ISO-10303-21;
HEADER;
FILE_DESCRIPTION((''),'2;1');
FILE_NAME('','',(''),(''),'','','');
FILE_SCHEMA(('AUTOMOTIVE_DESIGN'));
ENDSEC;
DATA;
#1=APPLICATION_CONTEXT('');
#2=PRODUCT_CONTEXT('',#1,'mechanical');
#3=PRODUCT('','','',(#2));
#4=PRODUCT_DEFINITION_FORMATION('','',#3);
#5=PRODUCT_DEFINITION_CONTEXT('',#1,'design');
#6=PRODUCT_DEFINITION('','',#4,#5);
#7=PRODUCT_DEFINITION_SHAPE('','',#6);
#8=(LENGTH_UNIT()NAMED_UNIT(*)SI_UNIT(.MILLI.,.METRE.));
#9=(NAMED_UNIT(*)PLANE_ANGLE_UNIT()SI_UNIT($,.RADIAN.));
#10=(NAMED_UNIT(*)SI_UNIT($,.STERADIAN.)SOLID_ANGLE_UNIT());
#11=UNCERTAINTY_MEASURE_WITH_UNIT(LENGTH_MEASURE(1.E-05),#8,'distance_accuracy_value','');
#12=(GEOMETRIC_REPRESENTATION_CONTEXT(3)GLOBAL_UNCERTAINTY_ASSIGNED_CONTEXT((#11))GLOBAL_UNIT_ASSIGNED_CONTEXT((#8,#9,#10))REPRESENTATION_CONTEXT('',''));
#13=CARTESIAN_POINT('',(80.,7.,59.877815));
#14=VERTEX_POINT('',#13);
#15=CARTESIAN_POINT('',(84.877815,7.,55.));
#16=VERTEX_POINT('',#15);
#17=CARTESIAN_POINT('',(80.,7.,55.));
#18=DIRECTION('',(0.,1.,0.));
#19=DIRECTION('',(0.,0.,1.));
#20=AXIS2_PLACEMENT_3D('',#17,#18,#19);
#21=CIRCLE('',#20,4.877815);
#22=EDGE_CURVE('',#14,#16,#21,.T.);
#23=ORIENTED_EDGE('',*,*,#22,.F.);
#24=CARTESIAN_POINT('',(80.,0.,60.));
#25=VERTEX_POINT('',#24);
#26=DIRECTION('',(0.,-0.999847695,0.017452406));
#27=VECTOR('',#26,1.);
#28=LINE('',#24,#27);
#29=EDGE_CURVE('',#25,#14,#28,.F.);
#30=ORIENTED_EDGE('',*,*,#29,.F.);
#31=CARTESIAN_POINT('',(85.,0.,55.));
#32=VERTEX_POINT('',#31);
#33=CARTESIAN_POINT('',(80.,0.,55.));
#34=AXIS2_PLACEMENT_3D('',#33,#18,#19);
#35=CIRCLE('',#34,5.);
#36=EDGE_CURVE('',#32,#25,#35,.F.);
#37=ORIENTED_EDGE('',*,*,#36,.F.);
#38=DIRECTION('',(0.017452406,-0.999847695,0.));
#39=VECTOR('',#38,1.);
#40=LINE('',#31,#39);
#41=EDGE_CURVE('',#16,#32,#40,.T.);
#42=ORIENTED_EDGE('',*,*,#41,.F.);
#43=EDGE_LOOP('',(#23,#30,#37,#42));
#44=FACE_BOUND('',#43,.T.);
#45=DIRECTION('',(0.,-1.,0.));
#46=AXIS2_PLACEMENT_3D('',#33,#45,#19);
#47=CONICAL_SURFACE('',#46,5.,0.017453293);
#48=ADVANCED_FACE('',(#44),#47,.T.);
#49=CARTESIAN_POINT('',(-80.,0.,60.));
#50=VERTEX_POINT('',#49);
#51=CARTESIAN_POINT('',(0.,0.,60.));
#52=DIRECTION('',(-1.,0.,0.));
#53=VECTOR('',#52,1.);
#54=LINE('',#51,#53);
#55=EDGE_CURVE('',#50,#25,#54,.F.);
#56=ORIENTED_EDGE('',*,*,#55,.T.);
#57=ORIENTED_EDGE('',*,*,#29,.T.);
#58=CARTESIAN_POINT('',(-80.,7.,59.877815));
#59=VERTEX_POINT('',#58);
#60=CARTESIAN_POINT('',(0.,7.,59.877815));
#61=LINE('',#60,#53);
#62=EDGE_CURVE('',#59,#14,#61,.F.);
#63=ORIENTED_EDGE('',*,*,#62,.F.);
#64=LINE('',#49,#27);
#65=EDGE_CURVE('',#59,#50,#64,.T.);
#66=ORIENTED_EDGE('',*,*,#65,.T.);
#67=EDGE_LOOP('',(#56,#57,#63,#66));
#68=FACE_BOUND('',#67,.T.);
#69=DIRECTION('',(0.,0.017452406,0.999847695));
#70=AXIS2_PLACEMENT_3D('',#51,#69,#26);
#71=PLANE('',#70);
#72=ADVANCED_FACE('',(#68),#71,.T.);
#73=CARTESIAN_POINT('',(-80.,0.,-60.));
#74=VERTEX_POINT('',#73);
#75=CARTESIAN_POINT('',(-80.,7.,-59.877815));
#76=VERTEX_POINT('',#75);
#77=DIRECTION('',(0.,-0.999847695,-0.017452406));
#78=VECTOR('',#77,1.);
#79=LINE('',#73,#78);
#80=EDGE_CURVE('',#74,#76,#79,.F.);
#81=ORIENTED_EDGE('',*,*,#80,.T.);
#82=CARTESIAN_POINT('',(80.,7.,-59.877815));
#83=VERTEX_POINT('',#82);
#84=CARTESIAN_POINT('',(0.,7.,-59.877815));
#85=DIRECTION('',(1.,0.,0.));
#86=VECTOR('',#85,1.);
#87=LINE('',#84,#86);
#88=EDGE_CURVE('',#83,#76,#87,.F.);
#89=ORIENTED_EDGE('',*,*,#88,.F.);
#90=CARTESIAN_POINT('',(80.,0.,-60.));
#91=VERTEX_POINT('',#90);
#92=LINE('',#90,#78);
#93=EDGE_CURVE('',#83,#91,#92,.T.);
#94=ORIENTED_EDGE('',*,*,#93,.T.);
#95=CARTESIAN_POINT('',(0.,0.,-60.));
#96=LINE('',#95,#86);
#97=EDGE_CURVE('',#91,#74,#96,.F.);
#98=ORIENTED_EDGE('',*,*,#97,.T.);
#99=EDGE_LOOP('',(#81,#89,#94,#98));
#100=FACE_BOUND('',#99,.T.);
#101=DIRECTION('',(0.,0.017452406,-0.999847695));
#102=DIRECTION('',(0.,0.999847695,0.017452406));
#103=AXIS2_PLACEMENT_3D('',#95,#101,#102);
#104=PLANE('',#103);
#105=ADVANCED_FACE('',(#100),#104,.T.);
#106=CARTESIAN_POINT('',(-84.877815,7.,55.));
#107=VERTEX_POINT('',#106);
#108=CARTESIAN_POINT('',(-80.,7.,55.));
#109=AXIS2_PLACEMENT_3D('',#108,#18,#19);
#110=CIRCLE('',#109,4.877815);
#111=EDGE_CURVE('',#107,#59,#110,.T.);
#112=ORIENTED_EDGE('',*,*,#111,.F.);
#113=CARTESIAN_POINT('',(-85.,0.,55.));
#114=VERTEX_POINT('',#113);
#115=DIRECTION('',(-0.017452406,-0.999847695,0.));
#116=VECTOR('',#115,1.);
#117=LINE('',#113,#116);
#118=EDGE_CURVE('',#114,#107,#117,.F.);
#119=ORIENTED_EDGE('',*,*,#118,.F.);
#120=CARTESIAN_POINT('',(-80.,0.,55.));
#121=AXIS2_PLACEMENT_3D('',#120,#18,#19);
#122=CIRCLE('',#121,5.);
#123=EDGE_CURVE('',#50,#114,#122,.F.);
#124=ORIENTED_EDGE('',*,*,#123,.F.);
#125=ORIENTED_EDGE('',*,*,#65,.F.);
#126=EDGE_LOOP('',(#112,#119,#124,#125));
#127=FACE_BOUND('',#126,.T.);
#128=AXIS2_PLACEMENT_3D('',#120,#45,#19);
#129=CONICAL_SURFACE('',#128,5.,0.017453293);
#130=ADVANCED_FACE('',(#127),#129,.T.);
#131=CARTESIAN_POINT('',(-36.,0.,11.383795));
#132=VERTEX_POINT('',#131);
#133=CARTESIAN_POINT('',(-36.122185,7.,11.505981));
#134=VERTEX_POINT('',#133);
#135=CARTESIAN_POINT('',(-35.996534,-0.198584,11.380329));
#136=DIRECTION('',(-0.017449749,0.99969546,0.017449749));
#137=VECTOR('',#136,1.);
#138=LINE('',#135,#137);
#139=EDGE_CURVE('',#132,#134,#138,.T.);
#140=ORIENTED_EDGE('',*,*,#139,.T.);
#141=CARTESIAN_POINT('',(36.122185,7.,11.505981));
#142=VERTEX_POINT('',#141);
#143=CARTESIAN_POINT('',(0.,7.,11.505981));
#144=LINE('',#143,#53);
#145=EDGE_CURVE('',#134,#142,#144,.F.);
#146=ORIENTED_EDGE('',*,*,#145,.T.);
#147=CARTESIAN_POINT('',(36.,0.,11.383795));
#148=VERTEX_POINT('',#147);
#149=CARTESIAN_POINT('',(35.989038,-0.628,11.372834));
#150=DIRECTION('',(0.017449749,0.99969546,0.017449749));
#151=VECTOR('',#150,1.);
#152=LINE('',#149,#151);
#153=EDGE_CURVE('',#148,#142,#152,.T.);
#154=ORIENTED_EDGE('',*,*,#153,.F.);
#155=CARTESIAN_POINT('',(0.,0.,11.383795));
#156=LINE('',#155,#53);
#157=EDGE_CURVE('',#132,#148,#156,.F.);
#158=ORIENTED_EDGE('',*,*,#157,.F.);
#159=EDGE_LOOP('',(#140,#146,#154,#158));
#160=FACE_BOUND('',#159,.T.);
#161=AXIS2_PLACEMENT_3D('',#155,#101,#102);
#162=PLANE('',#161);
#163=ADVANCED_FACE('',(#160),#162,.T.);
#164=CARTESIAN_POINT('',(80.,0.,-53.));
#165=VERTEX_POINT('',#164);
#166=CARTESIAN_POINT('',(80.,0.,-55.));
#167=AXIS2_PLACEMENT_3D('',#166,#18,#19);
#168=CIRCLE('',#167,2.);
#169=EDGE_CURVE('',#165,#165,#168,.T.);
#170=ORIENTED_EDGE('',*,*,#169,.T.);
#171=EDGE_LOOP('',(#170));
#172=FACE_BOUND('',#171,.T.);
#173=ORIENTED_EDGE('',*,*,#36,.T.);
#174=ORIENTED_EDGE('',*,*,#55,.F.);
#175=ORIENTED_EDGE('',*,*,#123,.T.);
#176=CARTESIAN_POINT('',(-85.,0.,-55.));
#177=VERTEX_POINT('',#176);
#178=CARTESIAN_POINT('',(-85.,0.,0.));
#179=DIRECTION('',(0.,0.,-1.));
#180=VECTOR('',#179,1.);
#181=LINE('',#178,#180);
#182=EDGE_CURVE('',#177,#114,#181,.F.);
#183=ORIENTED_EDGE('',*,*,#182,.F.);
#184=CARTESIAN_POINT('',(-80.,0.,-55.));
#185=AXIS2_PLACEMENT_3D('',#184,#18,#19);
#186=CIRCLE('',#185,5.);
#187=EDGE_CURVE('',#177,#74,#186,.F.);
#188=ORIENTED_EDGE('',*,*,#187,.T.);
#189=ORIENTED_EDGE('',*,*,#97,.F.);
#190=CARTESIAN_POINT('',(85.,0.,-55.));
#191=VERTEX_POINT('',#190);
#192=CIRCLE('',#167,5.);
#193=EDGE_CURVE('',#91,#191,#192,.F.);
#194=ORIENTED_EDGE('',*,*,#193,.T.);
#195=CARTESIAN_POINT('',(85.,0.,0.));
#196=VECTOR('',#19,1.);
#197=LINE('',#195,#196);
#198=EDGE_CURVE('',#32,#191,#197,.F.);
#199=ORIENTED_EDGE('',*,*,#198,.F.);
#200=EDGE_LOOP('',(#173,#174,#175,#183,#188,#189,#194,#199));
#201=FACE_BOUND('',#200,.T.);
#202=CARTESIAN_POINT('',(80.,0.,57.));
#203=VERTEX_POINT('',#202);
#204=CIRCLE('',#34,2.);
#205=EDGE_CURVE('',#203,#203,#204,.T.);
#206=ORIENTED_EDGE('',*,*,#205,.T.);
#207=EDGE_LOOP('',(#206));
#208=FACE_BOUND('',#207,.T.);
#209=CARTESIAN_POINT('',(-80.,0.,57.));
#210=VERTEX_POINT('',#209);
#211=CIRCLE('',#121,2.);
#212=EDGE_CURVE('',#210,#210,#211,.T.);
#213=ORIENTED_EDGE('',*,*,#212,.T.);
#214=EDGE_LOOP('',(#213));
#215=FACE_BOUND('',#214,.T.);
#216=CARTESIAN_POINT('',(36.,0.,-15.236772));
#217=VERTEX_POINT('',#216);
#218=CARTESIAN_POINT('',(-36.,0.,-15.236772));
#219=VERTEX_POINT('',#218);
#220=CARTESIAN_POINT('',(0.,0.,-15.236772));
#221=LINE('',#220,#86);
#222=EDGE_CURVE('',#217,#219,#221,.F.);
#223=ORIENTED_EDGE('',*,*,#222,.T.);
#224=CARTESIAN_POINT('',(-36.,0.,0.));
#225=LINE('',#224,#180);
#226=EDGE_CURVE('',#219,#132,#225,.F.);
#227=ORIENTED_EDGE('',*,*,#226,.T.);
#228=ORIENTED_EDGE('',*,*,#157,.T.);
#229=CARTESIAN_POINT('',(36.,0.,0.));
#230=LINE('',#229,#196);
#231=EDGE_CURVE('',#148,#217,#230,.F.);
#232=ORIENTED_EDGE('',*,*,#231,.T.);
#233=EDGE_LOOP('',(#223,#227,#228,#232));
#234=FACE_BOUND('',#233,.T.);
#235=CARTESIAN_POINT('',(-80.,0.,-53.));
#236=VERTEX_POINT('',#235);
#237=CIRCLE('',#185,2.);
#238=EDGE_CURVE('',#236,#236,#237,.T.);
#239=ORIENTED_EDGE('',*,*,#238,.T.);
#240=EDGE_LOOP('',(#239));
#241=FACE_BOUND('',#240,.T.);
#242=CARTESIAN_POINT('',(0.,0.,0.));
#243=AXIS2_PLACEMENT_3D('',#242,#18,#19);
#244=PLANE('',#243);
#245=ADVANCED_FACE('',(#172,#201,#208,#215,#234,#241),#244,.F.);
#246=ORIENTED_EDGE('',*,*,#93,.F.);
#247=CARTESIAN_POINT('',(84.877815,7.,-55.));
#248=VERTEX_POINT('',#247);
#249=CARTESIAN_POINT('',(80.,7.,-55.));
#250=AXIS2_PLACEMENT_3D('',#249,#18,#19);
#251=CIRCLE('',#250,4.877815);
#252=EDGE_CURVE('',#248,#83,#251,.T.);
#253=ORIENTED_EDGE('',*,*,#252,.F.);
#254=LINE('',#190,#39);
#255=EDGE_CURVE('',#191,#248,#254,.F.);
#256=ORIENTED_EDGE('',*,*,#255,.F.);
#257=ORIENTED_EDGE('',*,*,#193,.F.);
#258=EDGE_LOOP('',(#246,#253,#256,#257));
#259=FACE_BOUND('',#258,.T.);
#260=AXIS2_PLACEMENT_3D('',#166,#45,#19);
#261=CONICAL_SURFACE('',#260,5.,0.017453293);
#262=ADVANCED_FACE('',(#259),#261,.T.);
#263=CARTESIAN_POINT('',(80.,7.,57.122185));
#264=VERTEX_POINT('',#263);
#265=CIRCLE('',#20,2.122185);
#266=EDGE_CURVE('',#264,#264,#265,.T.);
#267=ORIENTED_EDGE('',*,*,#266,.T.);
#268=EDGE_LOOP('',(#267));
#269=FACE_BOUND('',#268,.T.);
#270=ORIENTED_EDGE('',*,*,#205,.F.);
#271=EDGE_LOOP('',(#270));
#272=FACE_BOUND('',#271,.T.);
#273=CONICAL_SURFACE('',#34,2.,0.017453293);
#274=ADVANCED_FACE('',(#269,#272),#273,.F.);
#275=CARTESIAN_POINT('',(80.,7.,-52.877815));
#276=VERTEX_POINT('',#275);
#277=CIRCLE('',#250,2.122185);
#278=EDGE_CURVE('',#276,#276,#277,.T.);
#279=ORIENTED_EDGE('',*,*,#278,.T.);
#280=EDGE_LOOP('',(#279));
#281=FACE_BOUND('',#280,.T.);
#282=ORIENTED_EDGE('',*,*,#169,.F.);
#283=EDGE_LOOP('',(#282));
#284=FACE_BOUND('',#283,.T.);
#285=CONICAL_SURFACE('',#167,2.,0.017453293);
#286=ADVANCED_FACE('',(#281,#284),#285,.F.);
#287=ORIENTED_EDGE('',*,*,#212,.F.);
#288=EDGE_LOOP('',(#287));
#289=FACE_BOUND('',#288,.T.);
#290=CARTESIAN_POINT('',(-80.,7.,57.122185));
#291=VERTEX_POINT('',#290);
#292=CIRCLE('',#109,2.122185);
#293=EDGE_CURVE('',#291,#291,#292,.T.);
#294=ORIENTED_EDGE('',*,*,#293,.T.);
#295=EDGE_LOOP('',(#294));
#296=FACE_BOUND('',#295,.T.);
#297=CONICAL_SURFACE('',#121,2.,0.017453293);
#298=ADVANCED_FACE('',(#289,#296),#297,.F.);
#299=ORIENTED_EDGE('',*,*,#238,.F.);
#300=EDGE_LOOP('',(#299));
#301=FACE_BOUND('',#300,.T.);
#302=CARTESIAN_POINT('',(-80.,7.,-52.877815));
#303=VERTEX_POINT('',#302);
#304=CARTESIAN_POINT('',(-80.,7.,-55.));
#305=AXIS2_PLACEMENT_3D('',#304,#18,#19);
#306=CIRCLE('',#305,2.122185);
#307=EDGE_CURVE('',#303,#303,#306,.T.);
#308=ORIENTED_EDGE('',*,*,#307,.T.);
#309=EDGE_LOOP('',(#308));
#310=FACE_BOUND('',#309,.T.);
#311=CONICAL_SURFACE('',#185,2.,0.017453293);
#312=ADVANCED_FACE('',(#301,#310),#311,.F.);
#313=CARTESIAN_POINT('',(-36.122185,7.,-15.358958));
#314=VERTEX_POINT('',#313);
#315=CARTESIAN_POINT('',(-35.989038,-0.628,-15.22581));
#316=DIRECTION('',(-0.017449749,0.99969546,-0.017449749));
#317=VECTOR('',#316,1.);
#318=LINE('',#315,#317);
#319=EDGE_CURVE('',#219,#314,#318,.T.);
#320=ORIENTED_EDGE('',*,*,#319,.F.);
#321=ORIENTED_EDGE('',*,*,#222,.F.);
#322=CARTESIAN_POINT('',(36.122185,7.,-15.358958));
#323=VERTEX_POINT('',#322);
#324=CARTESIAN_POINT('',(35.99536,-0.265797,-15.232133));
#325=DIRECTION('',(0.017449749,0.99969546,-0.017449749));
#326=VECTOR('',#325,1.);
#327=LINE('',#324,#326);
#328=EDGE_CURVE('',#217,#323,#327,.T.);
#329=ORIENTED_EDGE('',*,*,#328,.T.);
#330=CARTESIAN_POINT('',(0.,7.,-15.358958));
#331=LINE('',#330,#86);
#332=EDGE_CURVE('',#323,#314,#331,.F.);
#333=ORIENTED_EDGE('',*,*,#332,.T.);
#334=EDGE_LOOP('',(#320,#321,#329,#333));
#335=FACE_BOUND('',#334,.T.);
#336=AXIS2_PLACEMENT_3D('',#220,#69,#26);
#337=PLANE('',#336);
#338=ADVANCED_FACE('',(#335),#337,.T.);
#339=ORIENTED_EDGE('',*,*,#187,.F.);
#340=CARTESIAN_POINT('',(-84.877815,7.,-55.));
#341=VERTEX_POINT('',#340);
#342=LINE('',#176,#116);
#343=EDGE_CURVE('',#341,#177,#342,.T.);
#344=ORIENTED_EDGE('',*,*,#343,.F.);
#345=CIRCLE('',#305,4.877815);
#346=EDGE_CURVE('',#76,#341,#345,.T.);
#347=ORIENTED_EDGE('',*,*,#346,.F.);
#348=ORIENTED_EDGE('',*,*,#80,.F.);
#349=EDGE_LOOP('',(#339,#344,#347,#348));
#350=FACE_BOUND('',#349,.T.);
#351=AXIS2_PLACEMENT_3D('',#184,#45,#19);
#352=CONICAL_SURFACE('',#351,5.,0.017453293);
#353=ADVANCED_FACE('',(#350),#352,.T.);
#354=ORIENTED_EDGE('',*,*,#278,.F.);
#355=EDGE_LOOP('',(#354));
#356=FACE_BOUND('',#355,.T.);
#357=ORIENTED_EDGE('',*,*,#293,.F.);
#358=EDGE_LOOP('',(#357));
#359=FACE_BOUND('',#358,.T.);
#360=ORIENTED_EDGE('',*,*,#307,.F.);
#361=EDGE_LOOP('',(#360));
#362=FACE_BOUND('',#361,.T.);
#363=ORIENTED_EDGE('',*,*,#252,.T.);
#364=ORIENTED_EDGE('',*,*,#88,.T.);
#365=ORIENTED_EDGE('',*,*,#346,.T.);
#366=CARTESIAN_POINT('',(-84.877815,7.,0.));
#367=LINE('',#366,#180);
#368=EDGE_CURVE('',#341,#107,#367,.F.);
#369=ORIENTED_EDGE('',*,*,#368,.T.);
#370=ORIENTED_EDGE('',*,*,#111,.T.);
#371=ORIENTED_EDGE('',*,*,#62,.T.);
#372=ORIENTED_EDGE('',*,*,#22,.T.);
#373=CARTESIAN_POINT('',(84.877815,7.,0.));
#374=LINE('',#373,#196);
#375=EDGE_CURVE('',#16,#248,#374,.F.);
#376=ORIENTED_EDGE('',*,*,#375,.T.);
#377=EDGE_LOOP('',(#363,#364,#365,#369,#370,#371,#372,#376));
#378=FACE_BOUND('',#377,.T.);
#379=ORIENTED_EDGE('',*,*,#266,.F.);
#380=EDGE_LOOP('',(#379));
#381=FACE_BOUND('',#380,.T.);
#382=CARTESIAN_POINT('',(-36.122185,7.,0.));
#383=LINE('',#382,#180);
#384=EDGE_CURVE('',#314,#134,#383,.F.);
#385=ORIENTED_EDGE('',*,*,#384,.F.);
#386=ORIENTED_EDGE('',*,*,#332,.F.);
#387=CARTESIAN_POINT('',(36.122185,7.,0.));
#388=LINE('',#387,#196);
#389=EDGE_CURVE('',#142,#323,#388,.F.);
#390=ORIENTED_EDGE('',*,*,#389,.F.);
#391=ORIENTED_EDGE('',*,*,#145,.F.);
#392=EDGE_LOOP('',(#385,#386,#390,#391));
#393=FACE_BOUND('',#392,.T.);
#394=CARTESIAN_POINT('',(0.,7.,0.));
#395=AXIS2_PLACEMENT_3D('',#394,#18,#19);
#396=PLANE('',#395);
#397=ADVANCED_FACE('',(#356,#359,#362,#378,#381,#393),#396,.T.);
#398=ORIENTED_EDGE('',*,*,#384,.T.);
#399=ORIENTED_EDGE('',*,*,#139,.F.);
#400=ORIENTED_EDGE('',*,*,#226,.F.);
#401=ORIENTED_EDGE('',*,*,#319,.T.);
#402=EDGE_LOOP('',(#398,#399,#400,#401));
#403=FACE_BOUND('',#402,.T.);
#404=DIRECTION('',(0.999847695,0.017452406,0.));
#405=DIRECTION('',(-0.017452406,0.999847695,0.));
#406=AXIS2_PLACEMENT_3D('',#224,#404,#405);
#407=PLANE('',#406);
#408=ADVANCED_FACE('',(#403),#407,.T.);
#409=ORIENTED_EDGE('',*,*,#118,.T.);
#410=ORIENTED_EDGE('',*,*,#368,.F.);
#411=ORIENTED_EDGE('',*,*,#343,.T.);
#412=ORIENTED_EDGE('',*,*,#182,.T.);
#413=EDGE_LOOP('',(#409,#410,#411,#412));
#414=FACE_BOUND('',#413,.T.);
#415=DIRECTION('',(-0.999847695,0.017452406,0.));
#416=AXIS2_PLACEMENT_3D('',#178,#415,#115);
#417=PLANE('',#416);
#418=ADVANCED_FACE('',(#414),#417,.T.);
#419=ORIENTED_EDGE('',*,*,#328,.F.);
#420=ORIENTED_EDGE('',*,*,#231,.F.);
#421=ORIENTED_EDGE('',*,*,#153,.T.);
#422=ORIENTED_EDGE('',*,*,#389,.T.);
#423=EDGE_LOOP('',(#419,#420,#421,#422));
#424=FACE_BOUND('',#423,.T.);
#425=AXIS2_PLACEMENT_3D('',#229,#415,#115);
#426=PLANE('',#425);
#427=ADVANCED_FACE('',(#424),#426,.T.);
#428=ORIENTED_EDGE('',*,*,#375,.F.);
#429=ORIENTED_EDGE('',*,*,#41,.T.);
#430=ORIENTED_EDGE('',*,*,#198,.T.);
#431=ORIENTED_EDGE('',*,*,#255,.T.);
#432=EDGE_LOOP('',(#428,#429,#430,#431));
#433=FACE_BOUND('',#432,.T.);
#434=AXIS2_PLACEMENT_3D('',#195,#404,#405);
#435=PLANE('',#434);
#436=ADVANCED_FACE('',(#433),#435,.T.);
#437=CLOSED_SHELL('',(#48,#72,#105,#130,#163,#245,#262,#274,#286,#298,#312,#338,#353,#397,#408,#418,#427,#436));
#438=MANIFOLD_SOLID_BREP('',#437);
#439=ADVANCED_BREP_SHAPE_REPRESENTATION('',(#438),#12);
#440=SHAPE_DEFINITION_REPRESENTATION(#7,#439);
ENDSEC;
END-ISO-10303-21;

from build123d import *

# Parameters (mm, degrees)
SKETCH1_W           = 170
SKETCH1_H           = 120
BOSS_EXTRUDE1_DEPTH = 7
SKETCH2_W           = 72
SKETCH2_H           = 26.620567464
CUT_EXTRUDE1_DEPTH  = 7
SKETCH3_R           = 2
CUT_EXTRUDE5_DEPTH  = 7
SKETCH7_R           = 2
CUT_EXTRUDE7_DEPTH  = 10
SKETCH6_R           = 2
CUT_EXTRUDE10_DEPTH = 10
SKETCH9_R           = 2
CUT_EXTRUDE11_DEPTH = 10
FILLET1_R           = 5
DRAFT1_ANGLE        = 1


with BuildPart() as part:
    # Sketch1 → Boss-Extrude1 (new body)
    with BuildSketch(Plane(origin=(0, 0, 0), x_dir=(1, 0, 0), z_dir=(0, 1, 0))):
        Rectangle(SKETCH1_W, SKETCH1_H)
    extrude(amount=BOSS_EXTRUDE1_DEPTH)

    # Sketch2 → Cut-Extrude1 (cut)
    with BuildSketch(Plane(origin=(0, 7, 0), x_dir=(1, 0, 0), z_dir=(0, 1, 0))):
        with Locations((0, 1.926488435)):
            Rectangle(SKETCH2_W, SKETCH2_H)
    extrude(amount=-CUT_EXTRUDE1_DEPTH, mode=Mode.SUBTRACT)

    # Sketch3 → Cut-Extrude5 (cut)
    with BuildSketch(Plane(origin=(0, 7, 0), x_dir=(1, 0, 0), z_dir=(0, 1, 0))):
        with Locations(Location((-80, 55, 0), (0, 0, 270))):
            Circle(SKETCH3_R)
    extrude(amount=-CUT_EXTRUDE5_DEPTH, mode=Mode.SUBTRACT)

    # Sketch7 → Cut-Extrude7 (cut)
    with BuildSketch(Plane(origin=(0, 7, 0), x_dir=(1, 0, 0), z_dir=(0, 1, 0))):
        with Locations(Location((-80, -55, 0), (0, 0, 270))):
            Circle(SKETCH7_R)
    extrude(amount=-CUT_EXTRUDE7_DEPTH, mode=Mode.SUBTRACT)

    # Sketch6 → Cut-Extrude10 (cut)
    with BuildSketch(Plane(origin=(0, 7, 0), x_dir=(1, 0, 0), z_dir=(0, 1, 0))):
        with Locations(Location((80, 55, 0), (0, 0, 270))):
            Circle(SKETCH6_R)
    extrude(amount=-CUT_EXTRUDE10_DEPTH, mode=Mode.SUBTRACT)

    # Sketch9 → Cut-Extrude11 (cut)
    with BuildSketch(Plane(origin=(0, 7, 0), x_dir=(1, 0, 0), z_dir=(0, 1, 0))):
        with Locations(Location((80, -55, 0), (0, 0, 270))):
            Circle(SKETCH9_R)
    extrude(amount=-CUT_EXTRUDE11_DEPTH, mode=Mode.SUBTRACT)

    # Fillet1
    fillet1_edges = [part.edges().sort_by_distance(p)[0] for p in [
        (-85, 3.5, -60),
        (85, 3.5, -60),
        (85, 3.5, 60),
        (-85, 3.5, 60),
    ]]
    fillet(fillet1_edges, radius=FILLET1_R)

    # Draft1
    draft1_faces = [part.faces().sort_by_distance(p)[0] for p in [
        (-83.535533906, 3.5, 58.535533906),
        (-85, 3.5, 0),
        (-83.535533906, 3.5, -58.535533906),
        (0, 3.5, -60),
        (83.535533906, 3.5, -58.535533906),
        (85, 3.5, 0),
        (83.535533906, 3.5, 58.535533906),
        (0, 3.5, 60),
        (-80, 3.5, 53),
        (80, 3.5, 53),
        (80, 3.5, -57),
        (-80, 3.5, -57),
        (-36, 3.5, -1.926488435),
        (0, 3.5, -15.236772167),
        (36, 3.5, -1.926488435),
        (0, 3.5, 11.383795297),
    ]]
    draft(draft1_faces, Plane.ZX, DRAFT1_ANGLE)


solid = part.part
